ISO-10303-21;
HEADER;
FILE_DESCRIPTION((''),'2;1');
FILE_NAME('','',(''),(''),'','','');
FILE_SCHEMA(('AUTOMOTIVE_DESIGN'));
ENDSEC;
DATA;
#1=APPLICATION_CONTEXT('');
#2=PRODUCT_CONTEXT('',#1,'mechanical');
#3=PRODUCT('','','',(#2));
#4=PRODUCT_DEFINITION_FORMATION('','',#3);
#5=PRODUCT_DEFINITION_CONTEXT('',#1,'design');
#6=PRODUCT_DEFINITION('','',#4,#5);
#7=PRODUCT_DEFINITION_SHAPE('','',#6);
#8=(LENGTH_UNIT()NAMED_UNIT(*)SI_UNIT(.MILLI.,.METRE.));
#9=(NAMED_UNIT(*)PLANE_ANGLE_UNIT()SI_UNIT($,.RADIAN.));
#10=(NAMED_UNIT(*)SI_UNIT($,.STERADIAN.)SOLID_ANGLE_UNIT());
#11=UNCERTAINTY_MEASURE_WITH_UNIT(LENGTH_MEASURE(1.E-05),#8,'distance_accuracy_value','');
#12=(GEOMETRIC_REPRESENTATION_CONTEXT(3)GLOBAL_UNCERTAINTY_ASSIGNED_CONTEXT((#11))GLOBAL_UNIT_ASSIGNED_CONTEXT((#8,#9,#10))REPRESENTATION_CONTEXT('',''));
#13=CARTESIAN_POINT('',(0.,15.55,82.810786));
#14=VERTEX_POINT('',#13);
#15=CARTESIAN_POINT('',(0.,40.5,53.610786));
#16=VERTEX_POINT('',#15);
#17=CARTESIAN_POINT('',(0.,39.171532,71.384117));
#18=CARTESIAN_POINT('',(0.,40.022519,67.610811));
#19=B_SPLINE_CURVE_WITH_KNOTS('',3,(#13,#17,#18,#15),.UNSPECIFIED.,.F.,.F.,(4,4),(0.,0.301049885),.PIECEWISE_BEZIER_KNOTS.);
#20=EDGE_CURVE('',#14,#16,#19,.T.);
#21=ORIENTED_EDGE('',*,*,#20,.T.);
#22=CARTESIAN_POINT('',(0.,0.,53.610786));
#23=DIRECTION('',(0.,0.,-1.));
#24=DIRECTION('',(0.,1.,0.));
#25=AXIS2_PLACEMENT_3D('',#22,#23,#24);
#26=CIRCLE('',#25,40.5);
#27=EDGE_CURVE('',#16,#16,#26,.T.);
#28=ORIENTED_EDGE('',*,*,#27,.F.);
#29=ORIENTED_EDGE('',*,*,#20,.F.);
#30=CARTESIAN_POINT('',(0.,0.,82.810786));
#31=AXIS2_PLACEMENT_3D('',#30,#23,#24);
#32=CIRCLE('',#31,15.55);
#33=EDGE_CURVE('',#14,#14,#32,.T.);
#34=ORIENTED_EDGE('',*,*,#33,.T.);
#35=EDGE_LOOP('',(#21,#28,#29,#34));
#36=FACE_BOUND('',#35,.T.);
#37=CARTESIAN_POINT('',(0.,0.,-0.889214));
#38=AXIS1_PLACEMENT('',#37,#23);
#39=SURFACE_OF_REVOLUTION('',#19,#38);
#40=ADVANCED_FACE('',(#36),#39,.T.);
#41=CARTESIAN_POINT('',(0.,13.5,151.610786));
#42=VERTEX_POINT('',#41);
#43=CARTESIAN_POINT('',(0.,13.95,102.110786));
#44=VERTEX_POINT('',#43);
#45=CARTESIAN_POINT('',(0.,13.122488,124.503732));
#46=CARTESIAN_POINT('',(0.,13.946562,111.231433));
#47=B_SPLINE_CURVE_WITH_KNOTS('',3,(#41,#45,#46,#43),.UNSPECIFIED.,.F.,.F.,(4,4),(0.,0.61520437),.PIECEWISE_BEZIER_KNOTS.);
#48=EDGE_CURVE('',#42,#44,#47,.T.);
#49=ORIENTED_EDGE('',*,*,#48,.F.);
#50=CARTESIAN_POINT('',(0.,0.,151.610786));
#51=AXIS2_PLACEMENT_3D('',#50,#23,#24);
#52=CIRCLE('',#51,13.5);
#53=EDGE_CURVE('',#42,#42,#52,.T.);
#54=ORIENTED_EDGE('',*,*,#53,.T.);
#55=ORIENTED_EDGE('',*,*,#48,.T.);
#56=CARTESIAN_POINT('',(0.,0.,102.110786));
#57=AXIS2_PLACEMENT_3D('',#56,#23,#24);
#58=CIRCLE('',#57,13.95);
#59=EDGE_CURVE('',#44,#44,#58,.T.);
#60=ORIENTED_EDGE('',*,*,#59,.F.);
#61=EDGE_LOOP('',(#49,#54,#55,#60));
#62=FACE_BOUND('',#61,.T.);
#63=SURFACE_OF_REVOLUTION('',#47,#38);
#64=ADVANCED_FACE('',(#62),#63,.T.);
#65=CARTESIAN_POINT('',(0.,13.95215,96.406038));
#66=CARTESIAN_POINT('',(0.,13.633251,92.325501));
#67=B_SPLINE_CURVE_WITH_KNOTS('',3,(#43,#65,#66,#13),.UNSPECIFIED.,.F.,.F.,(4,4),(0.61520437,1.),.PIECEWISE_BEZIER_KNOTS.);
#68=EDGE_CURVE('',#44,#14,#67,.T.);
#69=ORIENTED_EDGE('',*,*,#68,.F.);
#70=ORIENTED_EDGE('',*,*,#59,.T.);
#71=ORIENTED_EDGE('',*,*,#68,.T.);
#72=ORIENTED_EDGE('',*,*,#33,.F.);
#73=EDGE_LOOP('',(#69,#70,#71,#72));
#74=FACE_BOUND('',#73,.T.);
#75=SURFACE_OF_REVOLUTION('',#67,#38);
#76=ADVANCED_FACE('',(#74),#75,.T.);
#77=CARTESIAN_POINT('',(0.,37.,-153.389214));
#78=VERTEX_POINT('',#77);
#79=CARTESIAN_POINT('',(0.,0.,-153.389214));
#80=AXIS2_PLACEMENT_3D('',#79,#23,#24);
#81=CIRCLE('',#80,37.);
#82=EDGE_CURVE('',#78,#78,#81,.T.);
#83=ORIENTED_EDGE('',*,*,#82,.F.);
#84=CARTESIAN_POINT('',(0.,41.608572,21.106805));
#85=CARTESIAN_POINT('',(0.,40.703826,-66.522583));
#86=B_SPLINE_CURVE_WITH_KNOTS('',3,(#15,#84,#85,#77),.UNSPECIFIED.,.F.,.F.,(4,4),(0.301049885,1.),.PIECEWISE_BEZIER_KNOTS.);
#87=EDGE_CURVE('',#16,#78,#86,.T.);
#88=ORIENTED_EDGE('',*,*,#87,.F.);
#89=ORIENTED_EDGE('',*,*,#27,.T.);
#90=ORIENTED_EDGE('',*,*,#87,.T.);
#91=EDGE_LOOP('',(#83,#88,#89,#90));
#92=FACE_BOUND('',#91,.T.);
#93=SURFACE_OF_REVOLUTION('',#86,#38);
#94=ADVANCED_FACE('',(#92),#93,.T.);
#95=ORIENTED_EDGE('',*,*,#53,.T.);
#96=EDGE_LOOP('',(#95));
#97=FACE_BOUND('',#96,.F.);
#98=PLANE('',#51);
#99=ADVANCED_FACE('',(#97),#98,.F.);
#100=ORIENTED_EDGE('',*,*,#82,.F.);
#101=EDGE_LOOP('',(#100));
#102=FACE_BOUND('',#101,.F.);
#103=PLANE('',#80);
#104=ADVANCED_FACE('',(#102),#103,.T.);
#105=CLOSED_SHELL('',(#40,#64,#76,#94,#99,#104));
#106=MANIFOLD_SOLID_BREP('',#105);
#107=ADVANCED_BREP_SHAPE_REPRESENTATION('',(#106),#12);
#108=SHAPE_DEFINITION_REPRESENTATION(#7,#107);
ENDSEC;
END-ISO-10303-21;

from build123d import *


with BuildPart() as f1:
    # F0 (on Right) → F1 (revolve)
    with BuildSketch(Plane.YZ):
        with BuildLine():
            Line((13.5, 151.6107855353), (0, 151.6107855353))
            Line((0, 151.6107855353), (0, 102.1107855353))
            Line((0, 102.1107855353), (13.95, 102.1107855353))
            add(Edge.make_bspline(
                [(13.5, 151.6107855353), (13.1224878132, 124.5037317276), (13.9465620024, 111.2314334095), (13.95, 102.1107855353)],
                knots=[0, 0, 0, 0, 0.6152043696, 0.6152043696, 0.6152043696, 0.6152043696], degree=3))
        make_face()
        with BuildLine():
            Line((13.95, 102.1107855353), (0, 102.1107855353))
            Line((0, 102.1107855353), (0, 82.8107855353))
            Line((0, 82.8107855353), (15.55, 82.8107855353))
            add(Edge.make_bspline(
                [(13.95, 102.1107855353), (13.9521503854, 96.4060382634), (13.6332511902, 92.3255011439), (15.55, 82.8107855353)],
                knots=[0.6152043696, 0.6152043696, 0.6152043696, 0.6152043696, 1, 1, 1, 1], degree=3))
        make_face()
        with BuildLine():
            Line((15.55, 82.8107855353), (0, 82.8107855353))
            Line((0, 82.8107855353), (0, 53.6107855353))
            Line((0, 53.6107855353), (40.5, 53.6107855353))
            add(Edge.make_bspline(
                [(15.55, 82.8107855353), (39.1715317965, 71.3841170073), (40.0225187288, 67.6108114576), (40.5, 53.6107855353)],
                knots=[0, 0, 0, 0, 0.3010498854, 0.3010498854, 0.3010498854, 0.3010498854], degree=3))
        make_face()
        with BuildLine():
            Line((40.5, 53.6107855353), (0, 53.6107855353))
            Line((0, 53.6107855353), (0, -153.3892144647))
            Line((0, -153.3892144647), (37, -153.3892144647))
            add(Edge.make_bspline(
                [(40.5, 53.6107855353), (41.6085723844, 21.1068046384), (40.7038256526, -66.5225833654), (37, -153.3892144647)],
                knots=[0.3010498854, 0.3010498854, 0.3010498854, 0.3010498854, 1, 1, 1, 1], degree=3))
        make_face()
    revolve(axis=Axis((0, 0, -0.8892144647), (0, 0, -1)))


solid = f1.part
